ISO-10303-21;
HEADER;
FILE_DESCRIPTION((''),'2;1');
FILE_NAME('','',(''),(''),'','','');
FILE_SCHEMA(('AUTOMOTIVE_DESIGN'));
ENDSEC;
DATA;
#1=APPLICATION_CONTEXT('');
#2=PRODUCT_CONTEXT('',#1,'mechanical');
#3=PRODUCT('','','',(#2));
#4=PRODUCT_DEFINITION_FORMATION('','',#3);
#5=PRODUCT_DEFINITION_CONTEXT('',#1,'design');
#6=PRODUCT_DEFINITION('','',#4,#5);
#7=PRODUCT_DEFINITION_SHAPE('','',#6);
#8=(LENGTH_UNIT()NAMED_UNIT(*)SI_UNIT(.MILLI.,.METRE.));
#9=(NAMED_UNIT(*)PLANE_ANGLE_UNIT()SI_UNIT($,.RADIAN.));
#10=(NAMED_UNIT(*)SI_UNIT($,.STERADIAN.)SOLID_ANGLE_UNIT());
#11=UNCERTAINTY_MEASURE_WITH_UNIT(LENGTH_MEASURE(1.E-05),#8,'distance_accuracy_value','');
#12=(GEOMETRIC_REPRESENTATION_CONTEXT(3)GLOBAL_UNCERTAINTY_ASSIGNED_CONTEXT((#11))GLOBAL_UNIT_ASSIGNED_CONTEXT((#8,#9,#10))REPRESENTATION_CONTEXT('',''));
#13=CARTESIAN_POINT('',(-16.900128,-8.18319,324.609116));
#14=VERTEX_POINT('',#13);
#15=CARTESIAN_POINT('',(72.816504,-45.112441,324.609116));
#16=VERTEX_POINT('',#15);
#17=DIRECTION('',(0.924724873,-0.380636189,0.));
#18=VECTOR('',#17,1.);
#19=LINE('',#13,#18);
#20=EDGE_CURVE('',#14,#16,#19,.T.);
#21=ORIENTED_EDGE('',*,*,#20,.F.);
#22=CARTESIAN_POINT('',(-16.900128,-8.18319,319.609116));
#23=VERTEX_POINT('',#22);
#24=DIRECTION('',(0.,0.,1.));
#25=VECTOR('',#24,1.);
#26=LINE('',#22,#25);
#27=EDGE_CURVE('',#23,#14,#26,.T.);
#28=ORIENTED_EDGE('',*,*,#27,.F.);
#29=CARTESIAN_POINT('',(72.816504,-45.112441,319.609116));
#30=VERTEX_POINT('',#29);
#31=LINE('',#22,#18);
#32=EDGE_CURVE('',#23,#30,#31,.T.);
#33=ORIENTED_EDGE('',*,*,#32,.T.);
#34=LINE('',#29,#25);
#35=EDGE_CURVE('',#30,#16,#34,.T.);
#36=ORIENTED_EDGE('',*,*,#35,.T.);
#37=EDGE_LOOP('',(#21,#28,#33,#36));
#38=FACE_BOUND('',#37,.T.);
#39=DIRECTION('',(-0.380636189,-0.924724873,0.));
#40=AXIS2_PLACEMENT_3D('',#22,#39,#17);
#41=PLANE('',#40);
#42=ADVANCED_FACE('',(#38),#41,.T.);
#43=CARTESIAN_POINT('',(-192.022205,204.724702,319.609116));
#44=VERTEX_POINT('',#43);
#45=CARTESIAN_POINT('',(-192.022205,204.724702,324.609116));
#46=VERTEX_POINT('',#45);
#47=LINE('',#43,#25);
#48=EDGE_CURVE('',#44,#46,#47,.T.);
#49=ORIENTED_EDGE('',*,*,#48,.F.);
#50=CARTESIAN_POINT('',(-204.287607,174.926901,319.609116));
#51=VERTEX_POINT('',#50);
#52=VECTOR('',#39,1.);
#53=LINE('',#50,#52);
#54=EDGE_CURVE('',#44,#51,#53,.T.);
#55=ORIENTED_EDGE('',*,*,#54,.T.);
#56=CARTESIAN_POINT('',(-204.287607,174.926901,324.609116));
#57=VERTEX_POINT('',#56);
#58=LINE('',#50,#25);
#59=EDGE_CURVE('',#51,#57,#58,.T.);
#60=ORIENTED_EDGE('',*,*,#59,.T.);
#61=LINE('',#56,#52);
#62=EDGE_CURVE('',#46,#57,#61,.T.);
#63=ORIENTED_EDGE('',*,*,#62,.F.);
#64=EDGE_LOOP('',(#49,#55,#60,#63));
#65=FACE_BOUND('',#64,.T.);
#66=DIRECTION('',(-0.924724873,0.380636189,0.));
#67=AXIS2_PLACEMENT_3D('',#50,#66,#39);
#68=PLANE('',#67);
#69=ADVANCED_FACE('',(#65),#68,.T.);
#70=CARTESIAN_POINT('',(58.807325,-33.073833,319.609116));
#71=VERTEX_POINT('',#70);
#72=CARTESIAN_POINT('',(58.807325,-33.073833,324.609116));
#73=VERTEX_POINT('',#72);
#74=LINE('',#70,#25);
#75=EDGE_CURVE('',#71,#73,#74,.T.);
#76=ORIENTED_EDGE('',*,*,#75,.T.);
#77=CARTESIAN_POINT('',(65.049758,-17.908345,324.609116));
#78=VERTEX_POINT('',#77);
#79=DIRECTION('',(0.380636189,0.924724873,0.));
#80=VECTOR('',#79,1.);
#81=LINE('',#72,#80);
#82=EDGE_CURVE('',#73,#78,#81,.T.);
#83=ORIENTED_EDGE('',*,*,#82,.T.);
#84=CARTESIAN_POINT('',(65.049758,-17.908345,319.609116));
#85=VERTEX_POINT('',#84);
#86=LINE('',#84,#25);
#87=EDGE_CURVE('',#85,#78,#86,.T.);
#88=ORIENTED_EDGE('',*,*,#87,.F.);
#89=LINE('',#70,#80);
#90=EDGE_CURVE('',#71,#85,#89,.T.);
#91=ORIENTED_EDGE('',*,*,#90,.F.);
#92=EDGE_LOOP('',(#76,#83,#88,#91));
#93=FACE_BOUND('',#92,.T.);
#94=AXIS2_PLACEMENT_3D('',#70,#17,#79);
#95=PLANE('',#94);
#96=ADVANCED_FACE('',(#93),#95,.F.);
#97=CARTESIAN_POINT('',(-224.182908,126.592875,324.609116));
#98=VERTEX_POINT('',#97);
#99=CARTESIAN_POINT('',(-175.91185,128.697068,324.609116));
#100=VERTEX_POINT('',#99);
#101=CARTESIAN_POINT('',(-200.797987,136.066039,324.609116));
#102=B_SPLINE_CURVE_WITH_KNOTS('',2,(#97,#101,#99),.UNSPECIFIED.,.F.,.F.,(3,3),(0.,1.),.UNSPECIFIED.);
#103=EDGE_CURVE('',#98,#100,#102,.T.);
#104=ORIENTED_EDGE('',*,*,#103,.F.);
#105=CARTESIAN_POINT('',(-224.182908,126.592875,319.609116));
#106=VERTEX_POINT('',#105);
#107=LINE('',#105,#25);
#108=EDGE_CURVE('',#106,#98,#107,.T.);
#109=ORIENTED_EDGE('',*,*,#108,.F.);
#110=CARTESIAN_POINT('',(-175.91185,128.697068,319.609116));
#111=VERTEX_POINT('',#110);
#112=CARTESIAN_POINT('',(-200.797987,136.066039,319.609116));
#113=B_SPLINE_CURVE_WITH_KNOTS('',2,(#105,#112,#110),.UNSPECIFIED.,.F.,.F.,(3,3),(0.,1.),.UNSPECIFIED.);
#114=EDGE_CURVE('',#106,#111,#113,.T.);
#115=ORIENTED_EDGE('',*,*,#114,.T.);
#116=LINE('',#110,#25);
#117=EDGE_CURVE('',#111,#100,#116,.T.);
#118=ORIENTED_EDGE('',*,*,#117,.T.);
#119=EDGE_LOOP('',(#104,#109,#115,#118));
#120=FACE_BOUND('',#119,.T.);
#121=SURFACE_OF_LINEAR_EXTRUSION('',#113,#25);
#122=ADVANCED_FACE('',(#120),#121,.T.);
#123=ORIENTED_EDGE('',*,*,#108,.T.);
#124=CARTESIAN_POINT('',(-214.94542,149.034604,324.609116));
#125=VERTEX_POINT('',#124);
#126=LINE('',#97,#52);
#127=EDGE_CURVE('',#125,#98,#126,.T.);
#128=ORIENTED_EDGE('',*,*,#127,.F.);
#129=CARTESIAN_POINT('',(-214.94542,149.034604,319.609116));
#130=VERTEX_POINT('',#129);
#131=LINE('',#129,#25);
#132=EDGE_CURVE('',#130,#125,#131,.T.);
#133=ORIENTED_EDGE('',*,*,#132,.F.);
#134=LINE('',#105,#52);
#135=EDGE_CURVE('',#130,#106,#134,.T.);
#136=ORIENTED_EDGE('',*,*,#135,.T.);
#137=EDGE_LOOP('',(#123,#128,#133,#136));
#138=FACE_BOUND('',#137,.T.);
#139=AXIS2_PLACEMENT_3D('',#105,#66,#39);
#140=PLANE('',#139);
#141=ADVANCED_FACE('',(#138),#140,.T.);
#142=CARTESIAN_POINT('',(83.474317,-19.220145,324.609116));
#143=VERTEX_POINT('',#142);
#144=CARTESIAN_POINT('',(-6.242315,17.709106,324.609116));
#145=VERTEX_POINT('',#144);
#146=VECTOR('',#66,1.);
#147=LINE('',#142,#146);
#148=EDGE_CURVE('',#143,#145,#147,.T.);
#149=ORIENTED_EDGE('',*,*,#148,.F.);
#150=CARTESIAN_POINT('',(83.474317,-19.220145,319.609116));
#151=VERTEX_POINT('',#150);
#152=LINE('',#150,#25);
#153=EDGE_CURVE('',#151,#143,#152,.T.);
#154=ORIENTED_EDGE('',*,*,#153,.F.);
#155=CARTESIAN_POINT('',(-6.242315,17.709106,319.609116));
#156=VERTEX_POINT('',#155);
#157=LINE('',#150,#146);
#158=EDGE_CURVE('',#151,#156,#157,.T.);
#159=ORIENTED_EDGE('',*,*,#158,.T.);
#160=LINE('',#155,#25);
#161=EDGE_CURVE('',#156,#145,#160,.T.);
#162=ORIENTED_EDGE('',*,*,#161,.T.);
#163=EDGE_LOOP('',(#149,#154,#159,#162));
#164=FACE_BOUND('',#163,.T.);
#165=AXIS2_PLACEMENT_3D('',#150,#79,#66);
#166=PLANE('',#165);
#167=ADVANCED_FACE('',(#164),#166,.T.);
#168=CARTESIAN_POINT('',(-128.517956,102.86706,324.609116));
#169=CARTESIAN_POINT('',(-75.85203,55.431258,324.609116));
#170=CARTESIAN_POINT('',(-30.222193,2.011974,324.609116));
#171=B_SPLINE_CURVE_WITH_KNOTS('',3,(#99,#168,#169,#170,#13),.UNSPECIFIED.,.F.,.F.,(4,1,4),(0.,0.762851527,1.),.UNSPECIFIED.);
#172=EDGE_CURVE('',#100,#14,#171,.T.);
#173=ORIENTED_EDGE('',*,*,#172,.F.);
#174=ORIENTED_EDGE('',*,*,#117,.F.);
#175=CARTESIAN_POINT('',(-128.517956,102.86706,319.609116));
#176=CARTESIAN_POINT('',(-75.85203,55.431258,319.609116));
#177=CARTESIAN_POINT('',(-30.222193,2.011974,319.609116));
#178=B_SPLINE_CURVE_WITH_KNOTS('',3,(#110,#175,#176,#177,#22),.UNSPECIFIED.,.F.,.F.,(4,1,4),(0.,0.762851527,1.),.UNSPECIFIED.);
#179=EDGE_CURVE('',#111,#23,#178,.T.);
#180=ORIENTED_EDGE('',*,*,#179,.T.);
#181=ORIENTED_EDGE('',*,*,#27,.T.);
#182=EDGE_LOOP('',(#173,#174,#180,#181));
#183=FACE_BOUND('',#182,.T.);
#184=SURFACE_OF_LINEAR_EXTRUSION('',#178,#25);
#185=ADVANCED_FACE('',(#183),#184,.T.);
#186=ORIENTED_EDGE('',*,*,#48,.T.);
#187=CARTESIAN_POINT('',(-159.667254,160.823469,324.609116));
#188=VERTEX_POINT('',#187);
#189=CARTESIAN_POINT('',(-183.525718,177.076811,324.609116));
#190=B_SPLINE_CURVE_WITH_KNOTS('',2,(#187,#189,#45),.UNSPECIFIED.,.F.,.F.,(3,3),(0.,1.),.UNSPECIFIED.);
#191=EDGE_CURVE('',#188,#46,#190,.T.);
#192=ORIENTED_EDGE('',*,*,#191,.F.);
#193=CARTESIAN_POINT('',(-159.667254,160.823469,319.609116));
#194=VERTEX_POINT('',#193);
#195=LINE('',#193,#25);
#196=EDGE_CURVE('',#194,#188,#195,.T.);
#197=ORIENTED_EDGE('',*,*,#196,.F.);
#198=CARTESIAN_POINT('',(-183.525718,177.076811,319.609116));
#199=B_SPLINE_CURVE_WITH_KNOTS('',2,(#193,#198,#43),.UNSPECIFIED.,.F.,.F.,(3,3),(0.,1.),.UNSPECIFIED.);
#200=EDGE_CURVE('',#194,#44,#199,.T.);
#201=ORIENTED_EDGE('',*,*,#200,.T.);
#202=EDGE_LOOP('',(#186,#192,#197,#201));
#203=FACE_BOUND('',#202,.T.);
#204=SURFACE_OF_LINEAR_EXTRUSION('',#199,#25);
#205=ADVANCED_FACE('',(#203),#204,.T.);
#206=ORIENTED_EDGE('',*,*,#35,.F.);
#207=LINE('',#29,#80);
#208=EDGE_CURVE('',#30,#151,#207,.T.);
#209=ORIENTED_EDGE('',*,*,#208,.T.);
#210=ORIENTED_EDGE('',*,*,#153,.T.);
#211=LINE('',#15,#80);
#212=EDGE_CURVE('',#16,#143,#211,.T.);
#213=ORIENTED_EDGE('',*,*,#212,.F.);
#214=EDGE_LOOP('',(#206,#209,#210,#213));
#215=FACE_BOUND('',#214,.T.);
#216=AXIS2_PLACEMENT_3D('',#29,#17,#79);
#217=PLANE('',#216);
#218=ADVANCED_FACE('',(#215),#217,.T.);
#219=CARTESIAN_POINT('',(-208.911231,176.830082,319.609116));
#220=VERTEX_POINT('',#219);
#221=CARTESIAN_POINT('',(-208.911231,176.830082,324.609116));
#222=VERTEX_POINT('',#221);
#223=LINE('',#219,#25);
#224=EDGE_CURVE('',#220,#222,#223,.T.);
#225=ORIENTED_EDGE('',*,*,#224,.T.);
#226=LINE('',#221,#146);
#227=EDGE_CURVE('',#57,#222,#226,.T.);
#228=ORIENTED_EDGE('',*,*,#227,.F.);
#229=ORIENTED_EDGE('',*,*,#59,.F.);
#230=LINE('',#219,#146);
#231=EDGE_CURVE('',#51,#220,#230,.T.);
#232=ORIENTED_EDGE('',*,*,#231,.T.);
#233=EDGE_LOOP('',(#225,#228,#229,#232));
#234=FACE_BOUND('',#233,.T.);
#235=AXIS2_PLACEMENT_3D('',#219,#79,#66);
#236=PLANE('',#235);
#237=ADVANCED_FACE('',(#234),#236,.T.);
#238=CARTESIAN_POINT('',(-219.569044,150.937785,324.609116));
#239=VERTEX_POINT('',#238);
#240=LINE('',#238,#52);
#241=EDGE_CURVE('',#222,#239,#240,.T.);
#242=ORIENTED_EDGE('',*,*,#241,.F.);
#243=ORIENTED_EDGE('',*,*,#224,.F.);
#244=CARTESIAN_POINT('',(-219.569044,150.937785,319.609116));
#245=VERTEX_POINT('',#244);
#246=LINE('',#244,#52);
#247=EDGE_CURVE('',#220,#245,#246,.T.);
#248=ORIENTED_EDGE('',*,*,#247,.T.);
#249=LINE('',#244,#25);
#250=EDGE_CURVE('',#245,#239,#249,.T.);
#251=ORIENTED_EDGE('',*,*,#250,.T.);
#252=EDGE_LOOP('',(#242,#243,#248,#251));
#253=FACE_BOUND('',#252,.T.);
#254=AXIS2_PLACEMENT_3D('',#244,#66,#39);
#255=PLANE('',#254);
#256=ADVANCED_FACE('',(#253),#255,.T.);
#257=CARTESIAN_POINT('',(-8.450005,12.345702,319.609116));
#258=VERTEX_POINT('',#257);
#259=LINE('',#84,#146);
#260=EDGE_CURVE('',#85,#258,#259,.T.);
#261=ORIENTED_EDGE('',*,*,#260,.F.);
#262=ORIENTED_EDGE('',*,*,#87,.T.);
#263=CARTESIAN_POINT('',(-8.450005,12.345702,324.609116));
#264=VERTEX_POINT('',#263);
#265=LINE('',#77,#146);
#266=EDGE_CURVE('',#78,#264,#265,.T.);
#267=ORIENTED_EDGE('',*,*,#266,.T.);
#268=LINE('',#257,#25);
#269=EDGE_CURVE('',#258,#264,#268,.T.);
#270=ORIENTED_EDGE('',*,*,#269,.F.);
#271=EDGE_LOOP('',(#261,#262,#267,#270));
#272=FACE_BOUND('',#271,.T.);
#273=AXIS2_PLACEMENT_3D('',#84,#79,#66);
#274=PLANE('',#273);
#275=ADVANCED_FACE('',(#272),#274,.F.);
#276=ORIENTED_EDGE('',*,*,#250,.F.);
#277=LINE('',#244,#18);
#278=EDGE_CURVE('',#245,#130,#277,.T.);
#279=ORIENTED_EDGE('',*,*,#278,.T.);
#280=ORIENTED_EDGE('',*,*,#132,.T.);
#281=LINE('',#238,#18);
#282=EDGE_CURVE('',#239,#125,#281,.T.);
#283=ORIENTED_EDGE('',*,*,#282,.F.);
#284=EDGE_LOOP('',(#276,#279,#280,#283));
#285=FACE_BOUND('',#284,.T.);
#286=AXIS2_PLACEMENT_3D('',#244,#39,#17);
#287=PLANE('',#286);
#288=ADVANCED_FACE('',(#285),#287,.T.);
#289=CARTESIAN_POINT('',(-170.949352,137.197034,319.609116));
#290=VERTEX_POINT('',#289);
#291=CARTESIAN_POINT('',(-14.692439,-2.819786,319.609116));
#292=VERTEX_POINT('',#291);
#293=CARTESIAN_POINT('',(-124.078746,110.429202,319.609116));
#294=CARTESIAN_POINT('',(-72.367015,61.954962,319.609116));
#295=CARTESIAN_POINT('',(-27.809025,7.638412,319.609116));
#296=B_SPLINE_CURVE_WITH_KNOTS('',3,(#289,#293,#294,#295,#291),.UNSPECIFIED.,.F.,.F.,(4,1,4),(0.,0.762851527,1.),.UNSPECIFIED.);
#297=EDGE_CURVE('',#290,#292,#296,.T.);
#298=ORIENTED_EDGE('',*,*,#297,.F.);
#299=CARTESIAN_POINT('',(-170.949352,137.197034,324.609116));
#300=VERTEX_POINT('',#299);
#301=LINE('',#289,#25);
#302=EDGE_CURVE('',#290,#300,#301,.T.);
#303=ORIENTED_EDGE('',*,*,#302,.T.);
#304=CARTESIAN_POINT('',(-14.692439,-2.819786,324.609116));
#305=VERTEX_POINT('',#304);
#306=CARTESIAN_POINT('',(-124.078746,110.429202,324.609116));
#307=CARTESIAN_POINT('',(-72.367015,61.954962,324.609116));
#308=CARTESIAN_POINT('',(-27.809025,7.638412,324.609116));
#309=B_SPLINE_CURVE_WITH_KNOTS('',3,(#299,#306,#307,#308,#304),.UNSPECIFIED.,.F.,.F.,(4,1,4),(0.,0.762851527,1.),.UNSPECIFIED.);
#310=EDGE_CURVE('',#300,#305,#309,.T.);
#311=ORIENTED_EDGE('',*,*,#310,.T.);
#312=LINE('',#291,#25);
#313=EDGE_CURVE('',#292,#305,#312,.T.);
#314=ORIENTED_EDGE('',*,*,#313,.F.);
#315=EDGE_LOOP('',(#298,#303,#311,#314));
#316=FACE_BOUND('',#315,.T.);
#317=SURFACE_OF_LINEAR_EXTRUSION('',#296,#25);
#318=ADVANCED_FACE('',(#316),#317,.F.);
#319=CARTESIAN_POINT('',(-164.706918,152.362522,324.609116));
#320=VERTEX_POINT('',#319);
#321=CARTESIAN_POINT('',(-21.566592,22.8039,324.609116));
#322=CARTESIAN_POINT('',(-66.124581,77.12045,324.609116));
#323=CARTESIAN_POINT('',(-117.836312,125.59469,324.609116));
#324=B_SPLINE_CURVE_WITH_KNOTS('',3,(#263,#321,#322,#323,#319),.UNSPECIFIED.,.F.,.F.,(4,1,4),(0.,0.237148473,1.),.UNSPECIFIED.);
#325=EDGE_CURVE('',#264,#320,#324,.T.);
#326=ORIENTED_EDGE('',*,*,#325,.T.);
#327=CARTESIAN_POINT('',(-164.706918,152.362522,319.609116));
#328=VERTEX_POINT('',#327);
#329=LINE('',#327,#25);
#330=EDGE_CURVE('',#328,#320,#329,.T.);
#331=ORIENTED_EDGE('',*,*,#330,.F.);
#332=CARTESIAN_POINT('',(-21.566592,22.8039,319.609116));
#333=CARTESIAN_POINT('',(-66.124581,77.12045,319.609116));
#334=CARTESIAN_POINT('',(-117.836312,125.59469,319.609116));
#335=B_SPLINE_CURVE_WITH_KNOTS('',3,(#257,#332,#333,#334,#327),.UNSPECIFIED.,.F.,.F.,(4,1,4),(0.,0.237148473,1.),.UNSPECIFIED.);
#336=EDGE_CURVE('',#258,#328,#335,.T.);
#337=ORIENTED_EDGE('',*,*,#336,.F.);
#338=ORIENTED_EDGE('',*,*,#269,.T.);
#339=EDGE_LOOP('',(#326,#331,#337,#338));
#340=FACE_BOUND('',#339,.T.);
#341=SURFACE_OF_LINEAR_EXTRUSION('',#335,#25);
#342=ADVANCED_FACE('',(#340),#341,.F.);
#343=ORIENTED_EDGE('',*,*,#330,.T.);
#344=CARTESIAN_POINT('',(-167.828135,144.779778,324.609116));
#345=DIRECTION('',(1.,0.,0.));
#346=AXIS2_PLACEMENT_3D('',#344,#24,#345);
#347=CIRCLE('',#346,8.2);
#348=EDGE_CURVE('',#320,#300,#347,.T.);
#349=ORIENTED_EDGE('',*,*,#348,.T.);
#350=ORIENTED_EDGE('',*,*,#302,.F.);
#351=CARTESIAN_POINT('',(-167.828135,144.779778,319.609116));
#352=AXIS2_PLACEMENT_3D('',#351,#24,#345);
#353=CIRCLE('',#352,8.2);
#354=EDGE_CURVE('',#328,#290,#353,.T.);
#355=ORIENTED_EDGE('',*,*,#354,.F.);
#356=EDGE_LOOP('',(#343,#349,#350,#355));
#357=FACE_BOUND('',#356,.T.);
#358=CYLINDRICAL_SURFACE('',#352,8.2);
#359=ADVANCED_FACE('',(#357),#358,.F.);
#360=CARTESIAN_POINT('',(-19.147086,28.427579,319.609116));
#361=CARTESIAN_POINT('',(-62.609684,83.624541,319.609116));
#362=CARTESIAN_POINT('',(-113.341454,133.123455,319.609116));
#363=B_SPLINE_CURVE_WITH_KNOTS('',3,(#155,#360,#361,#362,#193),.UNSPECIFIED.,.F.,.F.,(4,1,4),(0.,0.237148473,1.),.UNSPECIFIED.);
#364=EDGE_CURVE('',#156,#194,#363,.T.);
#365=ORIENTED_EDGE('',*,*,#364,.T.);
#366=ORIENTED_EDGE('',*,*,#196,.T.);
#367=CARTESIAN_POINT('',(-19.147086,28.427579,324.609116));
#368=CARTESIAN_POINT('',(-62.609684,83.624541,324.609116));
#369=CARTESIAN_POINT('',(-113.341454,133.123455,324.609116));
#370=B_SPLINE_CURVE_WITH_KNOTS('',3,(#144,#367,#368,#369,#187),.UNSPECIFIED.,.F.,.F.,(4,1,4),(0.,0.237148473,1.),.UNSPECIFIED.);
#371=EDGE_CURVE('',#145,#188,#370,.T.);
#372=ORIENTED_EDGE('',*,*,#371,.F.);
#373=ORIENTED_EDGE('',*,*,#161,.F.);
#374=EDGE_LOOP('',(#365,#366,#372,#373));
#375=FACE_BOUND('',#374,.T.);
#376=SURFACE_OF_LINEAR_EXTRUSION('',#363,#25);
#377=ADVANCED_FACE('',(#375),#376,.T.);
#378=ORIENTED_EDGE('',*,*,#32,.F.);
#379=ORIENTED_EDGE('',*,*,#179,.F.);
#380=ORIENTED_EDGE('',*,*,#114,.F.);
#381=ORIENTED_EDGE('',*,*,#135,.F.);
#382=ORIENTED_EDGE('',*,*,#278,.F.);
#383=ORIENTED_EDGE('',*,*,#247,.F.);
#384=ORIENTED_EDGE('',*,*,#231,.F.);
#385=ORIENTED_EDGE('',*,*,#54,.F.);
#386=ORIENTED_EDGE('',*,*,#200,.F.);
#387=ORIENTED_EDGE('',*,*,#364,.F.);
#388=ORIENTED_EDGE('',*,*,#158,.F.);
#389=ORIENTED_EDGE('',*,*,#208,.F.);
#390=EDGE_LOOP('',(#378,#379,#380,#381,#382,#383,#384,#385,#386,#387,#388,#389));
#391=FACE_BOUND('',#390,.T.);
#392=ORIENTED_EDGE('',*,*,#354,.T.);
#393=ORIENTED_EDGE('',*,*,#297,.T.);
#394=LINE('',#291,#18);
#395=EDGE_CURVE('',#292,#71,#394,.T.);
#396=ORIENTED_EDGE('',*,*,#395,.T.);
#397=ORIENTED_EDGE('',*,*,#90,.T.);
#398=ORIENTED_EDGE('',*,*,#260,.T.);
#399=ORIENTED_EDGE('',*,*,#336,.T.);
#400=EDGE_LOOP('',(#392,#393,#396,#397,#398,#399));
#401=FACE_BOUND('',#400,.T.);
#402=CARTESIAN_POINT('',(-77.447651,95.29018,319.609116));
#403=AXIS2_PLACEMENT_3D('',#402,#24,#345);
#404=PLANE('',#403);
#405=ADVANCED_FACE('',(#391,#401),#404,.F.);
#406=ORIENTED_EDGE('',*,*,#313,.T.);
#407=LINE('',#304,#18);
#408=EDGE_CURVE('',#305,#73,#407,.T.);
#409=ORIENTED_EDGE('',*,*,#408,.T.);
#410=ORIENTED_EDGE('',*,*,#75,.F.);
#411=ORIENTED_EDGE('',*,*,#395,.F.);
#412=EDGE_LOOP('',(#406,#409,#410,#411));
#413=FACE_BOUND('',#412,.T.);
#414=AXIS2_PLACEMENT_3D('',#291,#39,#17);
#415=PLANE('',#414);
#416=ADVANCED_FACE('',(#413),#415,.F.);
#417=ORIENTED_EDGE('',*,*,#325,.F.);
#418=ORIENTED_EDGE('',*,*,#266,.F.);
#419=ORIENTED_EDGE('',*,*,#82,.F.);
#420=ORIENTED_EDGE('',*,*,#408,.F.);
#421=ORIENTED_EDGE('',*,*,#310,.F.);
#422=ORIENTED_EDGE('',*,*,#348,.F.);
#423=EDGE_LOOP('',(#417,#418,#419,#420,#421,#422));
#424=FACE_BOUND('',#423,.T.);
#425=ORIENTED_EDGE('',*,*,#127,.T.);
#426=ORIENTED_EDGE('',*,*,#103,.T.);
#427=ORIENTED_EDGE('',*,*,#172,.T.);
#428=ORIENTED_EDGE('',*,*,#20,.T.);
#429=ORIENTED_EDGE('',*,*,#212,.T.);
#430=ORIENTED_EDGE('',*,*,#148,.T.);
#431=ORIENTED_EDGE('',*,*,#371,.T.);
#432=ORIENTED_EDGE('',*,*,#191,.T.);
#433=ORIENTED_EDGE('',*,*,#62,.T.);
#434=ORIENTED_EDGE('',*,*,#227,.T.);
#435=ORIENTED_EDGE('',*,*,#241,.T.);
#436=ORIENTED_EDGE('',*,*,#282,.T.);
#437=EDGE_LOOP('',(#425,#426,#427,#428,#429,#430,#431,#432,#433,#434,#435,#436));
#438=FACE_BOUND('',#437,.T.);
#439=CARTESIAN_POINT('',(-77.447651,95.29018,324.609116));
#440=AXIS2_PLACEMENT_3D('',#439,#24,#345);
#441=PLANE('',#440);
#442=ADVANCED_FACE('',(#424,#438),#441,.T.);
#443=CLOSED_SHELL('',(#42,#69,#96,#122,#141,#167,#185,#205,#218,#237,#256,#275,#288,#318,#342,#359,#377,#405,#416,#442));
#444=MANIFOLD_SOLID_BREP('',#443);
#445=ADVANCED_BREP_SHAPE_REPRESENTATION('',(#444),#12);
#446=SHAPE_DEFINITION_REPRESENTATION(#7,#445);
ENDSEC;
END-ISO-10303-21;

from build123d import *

# Parameters (mm, degrees)
BOSS_EXTRUDE1_DEPTH = 5


with BuildPart() as part:
    # Sketch2 → Boss-Extrude1 (new body)
    with BuildSketch(Plane.XY.offset(324.609115736)):
        with BuildLine():
            Line((-16.90012844, -8.183190187), (72.816503584, -45.112441184))
            Line((72.816503584, -45.112441184), (83.47431689, -19.220144733))
            Line((83.47431689, -19.220144733), (-6.242315134, 17.709106264))
            add(Edge.make_bspline(
                [(-6.242315134, 17.709106264), (-19.147085678, 28.427579084), (-62.609683594, 83.624540664), (-113.341454038, 133.123455083), (-159.667254415, 160.823469136)],
                knots=[0, 0, 0, 0, 0.237148473, 1, 1, 1, 1], degree=3))
            add(Edge.make_bspline(
                [(-192.022205471, 204.724702407), (-183.525718419, 177.076811357), (-159.667254415, 160.823469136)],
                knots=[0, 0, 0, 1, 1, 1], degree=2))
            Line((-192.022205471, 204.724702407), (-204.287606756, 174.926900827))
            Line((-204.287606756, 174.926900827), (-208.911231122, 176.830081774))
            Line((-208.911231122, 176.830081774), (-219.569044429, 150.937785322))
            Line((-219.569044429, 150.937785322), (-214.945420062, 149.034604375))
            Line((-214.945420062, 149.034604375), (-224.18290752, 126.592874832))
            add(Edge.make_bspline(
                [(-175.911850273, 128.697068335), (-200.797987469, 136.066038881), (-224.18290752, 126.592874832)],
                knots=[0, 0, 0, 1, 1, 1], degree=2))
            add(Edge.make_bspline(
                [(-16.90012844, -8.183190187), (-30.222192507, 2.01197393), (-75.852029724, 55.431258283), (-128.517955825, 102.867060046), (-175.911850273, 128.697068335)],
                knots=[0, 0, 0, 0, 0.237148473, 1, 1, 1, 1], degree=3))
        make_face()
        with BuildLine():
            Line((65.049758472, -17.908345143), (-8.450005033, 12.345702))
            add(Edge.make_bspline(
                [(-8.450005033, 12.345702), (-21.566591824, 22.803900379), (-66.124581019, 77.120450197), (-117.836312175, 125.594689972), (-164.70691842, 152.362521961)],
                knots=[0, 0, 0, 0, 0.237148473, 1, 1, 1, 1], degree=3))
            ThreePointArc((-164.70691842, 152.362521961), (-175.410879134, 147.900994755), (-170.949351927, 137.19703404))
            add(Edge.make_bspline(
                [(-14.692438541, -2.819785922), (-27.809025332, 7.638412457), (-72.367014526, 61.954962275), (-124.078745683, 110.429202051), (-170.949351927, 137.19703404)],
                knots=[0, 0, 0, 0, 0.237148473, 1, 1, 1, 1], degree=3))
            Line((-14.692438541, -2.819785922), (58.807324964, -33.073833065))
            Line((58.807324964, -33.073833065), (65.049758472, -17.908345143))
        make_face(mode=Mode.SUBTRACT)
    extrude(amount=-BOSS_EXTRUDE1_DEPTH)


solid = part.part
